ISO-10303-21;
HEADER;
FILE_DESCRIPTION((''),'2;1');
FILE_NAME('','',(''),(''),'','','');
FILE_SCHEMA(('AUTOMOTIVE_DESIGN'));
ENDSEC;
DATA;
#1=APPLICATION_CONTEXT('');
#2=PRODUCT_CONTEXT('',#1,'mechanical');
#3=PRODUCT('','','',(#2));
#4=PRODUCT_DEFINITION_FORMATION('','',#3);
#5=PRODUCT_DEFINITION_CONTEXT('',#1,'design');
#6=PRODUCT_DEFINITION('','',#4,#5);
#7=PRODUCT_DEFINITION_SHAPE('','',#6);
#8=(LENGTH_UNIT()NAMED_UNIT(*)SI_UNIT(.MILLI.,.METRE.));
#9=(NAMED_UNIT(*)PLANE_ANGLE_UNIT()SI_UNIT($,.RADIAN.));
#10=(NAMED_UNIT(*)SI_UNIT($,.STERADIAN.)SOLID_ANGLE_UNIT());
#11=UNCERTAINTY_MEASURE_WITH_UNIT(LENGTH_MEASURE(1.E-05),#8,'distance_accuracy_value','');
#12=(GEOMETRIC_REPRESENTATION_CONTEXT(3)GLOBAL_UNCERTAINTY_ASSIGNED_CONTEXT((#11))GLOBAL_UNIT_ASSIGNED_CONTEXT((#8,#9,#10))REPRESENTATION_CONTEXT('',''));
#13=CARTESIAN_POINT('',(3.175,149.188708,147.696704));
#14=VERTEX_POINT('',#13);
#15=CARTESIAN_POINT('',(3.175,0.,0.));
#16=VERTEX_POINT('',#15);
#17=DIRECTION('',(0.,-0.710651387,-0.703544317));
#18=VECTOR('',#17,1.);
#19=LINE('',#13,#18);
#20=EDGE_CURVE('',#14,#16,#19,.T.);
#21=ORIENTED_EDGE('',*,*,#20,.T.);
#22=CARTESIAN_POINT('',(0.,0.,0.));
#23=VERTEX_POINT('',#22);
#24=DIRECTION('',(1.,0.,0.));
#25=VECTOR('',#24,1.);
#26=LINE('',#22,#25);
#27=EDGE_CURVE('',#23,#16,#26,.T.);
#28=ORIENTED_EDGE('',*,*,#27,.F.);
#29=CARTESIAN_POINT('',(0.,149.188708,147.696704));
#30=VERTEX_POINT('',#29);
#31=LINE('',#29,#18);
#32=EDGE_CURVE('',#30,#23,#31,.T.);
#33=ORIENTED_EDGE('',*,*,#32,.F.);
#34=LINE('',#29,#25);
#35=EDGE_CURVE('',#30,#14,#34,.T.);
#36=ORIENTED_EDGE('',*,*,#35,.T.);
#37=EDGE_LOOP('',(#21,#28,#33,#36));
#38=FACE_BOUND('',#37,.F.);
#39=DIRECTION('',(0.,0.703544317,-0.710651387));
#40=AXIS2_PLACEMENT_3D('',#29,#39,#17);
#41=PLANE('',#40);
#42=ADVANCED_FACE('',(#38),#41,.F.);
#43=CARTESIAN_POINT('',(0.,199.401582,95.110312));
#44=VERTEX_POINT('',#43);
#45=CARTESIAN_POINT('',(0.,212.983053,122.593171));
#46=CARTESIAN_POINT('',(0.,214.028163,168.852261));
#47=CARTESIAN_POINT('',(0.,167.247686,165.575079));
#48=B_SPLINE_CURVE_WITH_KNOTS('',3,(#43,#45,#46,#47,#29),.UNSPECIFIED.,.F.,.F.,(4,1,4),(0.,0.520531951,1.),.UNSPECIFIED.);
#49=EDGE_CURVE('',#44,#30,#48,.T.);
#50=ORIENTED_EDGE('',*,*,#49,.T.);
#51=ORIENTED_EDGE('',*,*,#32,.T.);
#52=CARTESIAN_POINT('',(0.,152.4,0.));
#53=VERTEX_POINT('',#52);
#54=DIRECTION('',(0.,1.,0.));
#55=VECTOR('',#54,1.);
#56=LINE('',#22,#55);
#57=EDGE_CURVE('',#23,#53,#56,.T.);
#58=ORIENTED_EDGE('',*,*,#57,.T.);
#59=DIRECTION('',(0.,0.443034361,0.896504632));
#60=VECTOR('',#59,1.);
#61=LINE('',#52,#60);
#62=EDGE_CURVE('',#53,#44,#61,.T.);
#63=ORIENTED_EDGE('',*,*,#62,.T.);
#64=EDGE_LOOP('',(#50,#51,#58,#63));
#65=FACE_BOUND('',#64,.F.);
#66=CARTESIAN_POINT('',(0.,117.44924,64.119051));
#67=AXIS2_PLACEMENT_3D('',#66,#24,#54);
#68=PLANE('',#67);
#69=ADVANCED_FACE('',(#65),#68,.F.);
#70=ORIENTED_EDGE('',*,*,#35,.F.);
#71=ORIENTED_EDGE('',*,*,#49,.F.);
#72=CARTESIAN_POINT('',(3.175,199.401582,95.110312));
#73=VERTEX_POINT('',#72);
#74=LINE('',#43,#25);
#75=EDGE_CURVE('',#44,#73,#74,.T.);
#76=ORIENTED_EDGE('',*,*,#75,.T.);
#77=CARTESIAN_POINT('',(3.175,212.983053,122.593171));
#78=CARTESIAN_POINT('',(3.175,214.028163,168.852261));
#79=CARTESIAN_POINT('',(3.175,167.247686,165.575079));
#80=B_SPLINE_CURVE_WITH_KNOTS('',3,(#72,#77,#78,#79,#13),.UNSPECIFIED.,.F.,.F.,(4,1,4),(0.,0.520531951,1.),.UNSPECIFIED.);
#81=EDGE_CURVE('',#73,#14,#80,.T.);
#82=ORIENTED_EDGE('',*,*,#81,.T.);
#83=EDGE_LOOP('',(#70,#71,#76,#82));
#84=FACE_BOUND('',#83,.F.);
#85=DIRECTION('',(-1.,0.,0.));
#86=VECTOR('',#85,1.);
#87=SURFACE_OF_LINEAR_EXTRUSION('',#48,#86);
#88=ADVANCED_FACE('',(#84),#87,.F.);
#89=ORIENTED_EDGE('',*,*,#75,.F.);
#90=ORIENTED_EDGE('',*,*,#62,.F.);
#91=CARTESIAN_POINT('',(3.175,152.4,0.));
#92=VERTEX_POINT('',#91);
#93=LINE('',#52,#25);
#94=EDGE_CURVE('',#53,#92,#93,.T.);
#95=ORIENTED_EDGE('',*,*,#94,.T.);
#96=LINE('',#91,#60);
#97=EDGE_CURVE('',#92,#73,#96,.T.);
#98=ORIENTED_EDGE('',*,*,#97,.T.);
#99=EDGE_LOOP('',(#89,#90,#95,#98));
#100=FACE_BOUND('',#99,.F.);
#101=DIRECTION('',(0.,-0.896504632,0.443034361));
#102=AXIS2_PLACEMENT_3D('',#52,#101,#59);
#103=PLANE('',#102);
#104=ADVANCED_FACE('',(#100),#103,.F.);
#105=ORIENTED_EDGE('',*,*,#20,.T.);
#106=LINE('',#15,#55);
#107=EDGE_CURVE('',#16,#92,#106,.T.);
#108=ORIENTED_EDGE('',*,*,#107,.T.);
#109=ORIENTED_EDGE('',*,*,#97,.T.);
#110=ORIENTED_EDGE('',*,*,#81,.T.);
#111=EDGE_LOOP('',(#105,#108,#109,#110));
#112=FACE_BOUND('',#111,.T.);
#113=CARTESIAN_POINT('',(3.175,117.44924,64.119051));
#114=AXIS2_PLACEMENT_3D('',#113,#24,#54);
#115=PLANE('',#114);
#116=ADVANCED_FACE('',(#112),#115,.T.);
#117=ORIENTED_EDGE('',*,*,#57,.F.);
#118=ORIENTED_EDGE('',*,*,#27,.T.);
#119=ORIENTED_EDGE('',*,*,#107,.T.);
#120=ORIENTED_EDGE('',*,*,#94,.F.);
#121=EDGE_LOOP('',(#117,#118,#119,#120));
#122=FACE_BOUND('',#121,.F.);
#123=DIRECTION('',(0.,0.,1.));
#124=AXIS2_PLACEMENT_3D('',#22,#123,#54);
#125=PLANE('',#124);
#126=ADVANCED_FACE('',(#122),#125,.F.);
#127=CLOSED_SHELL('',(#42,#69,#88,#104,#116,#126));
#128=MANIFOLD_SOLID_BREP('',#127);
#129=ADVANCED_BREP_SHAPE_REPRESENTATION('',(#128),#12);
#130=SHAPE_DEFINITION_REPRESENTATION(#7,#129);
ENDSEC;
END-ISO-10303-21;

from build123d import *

# Parameters (mm, degrees)
F1_DEPTH = 3.175


with BuildPart() as f1:
    # F0 (on Right) → F1 (new body)
    with BuildSketch(Plane.YZ):
        with BuildLine():
            Line((149.1887083288, 147.6967043998), (0, 0))
            Line((0, 0), (152.4, 0))
            Line((152.4, 0), (199.4015822985, 95.1103118004))
            add(Edge.make_bspline(
                [(199.4015822985, 95.1103118004), (212.9830527722, 122.5931714894), (214.0281625881, 168.852260542), (167.2476864254, 165.5750785715), (149.1887083288, 147.6967043998)],
                knots=[0, 0, 0, 0, 0.5205319512, 1, 1, 1, 1], degree=3))
        make_face()
    extrude(amount=F1_DEPTH)


solid = f1.part
